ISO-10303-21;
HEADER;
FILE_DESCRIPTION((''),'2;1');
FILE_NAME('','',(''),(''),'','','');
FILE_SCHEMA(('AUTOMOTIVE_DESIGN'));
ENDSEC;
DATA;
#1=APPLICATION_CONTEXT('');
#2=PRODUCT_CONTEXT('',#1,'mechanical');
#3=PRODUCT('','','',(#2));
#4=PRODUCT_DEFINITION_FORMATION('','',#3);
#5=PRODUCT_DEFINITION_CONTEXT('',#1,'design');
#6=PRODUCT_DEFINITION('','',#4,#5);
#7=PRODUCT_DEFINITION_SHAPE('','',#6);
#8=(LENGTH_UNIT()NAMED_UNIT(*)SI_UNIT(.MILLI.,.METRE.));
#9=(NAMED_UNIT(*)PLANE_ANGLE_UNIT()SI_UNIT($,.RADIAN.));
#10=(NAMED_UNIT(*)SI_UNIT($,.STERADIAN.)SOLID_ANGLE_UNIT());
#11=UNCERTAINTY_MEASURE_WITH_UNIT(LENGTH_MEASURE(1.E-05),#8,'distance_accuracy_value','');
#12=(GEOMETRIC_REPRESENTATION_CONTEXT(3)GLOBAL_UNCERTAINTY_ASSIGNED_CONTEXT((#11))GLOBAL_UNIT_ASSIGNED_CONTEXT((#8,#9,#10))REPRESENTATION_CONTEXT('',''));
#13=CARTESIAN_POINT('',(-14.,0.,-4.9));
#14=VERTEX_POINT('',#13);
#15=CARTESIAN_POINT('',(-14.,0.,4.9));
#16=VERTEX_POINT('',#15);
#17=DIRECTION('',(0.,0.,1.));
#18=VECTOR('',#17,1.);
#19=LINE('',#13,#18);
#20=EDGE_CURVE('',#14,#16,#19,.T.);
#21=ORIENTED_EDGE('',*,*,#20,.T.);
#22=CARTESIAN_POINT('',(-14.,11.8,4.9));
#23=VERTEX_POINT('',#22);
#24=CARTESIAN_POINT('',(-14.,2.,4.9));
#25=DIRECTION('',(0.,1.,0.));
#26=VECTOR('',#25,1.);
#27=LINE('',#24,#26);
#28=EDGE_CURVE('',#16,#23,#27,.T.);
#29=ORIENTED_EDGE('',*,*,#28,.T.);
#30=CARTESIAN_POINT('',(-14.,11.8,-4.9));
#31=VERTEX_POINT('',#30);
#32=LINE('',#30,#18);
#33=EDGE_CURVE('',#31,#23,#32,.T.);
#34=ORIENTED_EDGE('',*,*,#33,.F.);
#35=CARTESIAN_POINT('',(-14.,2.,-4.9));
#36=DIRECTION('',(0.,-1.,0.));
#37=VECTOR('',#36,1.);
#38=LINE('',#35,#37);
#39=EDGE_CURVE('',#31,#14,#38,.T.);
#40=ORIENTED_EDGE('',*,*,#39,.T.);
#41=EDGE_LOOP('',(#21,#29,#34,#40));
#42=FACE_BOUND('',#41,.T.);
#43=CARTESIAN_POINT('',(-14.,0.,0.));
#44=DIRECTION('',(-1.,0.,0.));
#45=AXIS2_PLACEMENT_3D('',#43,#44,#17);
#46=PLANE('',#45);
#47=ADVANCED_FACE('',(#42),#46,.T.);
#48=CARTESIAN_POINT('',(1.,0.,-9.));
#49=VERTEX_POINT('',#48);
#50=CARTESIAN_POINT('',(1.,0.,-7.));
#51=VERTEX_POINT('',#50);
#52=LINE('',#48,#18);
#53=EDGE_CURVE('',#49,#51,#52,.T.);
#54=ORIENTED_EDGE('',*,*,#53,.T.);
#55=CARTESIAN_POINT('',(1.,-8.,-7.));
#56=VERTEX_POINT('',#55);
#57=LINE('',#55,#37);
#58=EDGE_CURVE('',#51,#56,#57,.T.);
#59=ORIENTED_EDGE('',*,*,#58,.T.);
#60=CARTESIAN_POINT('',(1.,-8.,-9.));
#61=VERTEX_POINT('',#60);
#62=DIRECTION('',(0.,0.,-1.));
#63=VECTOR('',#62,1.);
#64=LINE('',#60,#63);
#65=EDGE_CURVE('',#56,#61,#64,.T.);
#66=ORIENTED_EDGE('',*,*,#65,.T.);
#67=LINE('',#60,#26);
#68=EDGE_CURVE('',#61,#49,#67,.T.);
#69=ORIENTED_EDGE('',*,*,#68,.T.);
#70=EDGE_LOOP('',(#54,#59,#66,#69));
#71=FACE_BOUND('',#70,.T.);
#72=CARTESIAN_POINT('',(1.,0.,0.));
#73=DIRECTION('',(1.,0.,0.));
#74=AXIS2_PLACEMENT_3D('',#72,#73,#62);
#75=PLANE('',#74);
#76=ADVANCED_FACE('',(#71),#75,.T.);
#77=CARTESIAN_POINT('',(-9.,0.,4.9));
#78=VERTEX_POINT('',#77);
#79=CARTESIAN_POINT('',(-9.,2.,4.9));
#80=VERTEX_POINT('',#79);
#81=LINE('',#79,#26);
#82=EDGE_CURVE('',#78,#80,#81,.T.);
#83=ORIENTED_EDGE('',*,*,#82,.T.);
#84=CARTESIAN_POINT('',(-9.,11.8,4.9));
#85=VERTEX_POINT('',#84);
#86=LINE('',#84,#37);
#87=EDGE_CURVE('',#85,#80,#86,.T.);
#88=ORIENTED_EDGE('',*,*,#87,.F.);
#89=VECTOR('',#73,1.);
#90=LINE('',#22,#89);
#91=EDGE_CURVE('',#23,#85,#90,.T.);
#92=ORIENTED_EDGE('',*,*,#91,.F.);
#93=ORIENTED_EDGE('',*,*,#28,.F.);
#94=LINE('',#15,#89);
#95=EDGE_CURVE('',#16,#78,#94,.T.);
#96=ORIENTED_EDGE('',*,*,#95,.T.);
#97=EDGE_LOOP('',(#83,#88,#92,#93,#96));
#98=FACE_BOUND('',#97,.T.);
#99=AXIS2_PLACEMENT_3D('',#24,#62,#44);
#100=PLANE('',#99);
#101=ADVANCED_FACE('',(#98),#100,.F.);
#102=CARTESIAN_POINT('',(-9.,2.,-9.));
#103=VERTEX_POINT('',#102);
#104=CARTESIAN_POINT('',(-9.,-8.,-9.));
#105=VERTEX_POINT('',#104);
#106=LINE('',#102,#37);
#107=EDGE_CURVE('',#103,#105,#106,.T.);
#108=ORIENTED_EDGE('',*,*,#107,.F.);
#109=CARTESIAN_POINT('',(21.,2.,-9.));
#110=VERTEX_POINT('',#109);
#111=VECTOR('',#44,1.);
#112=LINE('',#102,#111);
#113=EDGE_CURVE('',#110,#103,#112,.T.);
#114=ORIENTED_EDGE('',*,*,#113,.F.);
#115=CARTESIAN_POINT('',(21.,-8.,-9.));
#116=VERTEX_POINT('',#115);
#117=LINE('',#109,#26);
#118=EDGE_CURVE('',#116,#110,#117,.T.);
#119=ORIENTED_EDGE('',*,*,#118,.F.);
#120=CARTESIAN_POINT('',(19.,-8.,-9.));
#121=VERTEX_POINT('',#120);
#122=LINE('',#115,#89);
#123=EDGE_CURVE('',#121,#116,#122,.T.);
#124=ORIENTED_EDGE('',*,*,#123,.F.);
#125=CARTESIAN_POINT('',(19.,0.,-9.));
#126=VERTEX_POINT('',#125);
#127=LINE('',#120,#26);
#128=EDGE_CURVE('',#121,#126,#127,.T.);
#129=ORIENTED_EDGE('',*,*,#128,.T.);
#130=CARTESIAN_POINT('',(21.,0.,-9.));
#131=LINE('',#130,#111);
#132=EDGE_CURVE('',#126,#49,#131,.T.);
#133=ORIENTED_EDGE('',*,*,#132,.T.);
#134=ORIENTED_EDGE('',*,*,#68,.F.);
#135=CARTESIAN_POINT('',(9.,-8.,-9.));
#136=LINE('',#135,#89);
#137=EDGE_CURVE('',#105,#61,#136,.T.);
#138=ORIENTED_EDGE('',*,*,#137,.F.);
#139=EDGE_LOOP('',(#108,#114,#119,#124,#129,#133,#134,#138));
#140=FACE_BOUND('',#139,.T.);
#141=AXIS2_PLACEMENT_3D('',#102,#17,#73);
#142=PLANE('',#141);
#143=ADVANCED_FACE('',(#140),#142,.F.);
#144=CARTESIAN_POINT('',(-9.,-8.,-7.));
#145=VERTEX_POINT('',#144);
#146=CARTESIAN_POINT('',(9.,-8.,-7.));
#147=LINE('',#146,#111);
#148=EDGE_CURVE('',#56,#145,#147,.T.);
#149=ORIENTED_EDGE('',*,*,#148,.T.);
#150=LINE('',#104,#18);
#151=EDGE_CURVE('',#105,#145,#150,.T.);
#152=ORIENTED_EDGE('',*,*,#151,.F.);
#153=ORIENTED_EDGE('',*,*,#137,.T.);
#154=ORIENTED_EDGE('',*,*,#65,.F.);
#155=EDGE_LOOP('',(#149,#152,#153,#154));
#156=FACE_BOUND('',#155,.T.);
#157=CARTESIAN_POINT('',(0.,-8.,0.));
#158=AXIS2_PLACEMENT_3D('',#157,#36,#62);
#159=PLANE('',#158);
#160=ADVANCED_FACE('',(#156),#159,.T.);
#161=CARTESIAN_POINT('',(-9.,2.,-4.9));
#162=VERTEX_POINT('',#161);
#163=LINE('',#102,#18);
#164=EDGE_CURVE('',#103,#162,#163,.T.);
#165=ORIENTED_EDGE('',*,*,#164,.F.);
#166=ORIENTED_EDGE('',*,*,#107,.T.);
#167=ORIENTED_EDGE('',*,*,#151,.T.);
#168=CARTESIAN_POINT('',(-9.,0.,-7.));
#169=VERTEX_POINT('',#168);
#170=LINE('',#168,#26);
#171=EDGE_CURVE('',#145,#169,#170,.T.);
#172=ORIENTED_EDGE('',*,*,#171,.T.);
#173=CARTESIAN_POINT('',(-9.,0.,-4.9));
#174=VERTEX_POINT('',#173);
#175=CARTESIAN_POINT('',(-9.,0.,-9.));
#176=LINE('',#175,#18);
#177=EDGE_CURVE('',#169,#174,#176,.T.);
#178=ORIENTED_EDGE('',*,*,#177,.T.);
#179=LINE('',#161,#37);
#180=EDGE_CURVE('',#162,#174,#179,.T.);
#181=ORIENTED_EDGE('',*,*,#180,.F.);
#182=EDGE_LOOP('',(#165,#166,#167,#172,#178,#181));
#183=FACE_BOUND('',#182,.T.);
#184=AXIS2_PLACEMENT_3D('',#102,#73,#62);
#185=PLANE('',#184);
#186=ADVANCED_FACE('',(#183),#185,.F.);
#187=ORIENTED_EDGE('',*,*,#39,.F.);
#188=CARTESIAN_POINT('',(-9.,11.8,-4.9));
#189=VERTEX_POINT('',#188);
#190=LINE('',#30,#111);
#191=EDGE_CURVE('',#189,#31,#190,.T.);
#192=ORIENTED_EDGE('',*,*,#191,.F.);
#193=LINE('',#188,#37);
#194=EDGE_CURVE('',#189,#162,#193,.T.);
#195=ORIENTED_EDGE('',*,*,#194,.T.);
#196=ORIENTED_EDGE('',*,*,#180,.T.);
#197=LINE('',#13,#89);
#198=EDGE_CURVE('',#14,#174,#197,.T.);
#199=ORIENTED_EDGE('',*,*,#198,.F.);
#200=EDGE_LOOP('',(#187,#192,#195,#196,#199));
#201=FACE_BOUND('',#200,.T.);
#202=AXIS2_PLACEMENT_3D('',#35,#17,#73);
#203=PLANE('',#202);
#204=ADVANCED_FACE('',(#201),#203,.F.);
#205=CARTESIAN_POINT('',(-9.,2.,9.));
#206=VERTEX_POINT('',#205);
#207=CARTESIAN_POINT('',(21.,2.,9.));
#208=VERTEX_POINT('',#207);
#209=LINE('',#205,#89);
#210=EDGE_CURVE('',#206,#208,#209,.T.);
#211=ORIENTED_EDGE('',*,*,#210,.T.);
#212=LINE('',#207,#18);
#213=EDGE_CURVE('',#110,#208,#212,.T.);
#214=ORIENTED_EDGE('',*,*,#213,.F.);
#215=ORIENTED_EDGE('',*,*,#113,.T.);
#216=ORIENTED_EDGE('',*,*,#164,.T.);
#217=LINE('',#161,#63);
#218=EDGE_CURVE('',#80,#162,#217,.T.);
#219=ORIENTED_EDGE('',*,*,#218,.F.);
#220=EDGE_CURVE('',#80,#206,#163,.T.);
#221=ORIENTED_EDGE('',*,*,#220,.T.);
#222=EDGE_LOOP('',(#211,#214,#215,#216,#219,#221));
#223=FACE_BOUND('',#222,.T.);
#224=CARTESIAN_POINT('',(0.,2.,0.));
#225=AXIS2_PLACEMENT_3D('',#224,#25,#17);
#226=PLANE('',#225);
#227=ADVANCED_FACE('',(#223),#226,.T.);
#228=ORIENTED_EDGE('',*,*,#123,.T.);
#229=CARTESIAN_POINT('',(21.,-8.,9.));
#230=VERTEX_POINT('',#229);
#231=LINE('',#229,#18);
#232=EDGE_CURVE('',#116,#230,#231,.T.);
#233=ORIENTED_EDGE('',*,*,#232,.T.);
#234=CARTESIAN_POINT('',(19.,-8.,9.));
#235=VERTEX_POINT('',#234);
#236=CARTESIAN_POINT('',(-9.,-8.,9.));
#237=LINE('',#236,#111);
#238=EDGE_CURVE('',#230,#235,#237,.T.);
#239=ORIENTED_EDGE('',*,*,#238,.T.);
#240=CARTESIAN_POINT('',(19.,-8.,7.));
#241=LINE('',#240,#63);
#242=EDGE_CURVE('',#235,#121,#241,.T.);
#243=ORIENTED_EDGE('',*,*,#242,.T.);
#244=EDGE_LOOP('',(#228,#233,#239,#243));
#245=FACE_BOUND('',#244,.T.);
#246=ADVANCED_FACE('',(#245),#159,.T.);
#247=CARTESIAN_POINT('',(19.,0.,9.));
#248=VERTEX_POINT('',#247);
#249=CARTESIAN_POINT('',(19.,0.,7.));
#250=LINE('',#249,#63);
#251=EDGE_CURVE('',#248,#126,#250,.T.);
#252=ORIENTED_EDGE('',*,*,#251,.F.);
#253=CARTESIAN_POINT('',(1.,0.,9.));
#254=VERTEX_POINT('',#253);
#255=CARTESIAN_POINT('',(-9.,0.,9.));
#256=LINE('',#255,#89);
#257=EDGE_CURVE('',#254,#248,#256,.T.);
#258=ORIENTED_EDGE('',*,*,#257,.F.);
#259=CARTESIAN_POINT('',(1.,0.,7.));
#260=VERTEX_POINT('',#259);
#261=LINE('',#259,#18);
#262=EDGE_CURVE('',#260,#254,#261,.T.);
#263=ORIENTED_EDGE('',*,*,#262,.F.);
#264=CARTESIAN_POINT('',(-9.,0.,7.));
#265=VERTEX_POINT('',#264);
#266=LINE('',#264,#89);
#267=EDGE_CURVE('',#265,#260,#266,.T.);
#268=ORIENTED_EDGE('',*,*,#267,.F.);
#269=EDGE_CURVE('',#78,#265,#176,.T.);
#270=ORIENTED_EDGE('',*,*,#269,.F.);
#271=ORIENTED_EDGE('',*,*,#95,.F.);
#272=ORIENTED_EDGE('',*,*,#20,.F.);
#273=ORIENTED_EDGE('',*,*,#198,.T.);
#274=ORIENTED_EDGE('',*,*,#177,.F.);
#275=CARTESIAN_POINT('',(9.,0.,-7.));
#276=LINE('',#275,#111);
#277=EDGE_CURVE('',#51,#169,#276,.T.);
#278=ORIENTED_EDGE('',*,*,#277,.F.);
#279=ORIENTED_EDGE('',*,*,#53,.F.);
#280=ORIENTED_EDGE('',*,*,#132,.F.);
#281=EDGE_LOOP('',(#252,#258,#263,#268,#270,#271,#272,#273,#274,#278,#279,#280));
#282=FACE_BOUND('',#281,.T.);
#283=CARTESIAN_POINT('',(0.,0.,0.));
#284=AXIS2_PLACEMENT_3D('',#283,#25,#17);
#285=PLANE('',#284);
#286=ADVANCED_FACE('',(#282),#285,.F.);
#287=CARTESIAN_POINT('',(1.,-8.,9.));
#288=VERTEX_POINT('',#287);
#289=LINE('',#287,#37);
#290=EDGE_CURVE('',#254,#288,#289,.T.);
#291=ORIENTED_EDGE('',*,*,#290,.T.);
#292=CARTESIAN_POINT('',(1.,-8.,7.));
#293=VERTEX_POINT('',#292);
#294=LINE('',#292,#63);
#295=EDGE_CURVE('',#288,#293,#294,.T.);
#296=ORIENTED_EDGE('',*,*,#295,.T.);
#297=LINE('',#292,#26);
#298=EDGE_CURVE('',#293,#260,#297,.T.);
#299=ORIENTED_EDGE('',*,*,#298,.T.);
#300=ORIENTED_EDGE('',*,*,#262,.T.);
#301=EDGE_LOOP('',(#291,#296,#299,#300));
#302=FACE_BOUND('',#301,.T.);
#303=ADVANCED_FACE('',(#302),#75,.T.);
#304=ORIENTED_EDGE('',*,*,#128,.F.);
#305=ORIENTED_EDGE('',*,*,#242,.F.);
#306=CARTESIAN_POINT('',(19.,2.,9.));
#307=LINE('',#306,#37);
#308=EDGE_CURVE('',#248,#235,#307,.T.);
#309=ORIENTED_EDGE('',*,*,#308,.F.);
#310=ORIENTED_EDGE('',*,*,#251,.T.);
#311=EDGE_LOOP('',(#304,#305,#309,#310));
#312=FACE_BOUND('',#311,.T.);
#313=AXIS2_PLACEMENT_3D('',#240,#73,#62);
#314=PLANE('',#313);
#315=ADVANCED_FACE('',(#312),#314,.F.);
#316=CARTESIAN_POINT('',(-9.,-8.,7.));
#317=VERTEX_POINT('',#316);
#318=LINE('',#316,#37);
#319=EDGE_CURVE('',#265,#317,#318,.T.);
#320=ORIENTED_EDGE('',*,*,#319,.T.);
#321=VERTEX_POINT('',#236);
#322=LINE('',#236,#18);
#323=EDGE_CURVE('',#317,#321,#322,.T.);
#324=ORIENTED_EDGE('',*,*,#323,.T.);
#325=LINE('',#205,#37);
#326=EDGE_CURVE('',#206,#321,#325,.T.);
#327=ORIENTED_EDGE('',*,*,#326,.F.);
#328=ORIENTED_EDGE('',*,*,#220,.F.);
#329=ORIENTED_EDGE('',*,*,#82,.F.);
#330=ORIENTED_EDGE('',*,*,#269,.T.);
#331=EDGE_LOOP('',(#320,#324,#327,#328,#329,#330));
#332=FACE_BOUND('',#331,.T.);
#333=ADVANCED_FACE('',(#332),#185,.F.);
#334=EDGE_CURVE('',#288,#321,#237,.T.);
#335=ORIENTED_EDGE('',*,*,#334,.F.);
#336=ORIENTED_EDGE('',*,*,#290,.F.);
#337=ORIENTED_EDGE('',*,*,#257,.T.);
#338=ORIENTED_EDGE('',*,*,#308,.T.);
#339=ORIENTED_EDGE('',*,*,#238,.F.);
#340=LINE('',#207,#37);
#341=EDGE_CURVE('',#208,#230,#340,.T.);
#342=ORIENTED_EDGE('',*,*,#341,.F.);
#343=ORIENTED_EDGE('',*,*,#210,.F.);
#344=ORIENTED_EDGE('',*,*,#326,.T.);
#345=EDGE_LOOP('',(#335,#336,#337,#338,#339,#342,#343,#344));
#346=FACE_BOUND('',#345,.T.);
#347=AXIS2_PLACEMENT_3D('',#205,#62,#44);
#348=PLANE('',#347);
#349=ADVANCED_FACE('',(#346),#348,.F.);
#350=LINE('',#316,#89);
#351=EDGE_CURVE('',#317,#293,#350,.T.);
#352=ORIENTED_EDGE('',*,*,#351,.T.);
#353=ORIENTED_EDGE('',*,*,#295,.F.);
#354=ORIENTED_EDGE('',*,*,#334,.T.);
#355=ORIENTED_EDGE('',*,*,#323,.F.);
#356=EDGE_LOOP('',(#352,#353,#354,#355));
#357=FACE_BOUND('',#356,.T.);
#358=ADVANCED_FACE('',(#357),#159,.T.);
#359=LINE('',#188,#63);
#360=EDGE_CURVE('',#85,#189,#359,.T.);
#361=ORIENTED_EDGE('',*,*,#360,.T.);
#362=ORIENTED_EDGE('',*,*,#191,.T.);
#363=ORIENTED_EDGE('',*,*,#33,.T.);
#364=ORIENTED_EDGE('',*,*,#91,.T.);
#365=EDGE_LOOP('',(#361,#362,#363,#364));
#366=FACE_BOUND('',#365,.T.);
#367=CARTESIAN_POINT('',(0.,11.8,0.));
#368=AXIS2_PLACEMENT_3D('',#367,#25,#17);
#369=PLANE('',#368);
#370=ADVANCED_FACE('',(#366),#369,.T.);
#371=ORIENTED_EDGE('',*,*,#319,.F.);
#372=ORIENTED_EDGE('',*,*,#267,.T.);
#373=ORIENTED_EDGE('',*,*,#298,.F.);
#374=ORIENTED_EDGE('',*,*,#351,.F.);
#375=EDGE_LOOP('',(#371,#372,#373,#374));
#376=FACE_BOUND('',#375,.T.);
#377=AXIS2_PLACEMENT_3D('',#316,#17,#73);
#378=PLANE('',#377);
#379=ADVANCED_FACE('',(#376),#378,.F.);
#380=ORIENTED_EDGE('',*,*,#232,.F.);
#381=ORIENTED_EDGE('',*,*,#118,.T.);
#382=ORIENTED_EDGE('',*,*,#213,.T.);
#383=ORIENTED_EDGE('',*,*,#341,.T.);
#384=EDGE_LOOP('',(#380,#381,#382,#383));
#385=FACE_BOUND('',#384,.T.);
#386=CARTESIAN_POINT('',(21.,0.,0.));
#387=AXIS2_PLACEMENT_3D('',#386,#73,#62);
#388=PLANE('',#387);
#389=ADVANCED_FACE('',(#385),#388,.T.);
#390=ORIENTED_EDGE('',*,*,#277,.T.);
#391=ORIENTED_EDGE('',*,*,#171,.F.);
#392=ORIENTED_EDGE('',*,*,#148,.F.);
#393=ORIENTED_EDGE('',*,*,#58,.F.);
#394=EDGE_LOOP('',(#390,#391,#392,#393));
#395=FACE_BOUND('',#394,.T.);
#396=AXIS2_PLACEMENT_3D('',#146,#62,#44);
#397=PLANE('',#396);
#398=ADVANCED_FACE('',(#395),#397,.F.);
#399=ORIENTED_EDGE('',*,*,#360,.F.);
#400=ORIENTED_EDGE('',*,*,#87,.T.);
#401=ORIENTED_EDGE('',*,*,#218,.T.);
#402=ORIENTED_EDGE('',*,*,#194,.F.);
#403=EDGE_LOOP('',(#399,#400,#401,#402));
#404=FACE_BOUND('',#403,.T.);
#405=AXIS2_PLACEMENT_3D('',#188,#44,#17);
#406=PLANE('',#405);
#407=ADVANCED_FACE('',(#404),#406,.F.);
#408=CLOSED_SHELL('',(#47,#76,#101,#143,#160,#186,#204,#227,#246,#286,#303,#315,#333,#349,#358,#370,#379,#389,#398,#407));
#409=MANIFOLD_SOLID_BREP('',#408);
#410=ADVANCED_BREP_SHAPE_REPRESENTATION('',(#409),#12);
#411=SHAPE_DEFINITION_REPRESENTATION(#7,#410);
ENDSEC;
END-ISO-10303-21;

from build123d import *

# Parameters (mm, degrees)
SKETCH2_W            = 18
SKETCH2_H            = 18
BOSS_EXTRUDE1_DEPTH  = 2
SKETCH3_W            = 18
SKETCH3_H            = 2
BOSS_EXTRUDE2_DEPTH  = 8
SKETCH4_W            = 18
SKETCH4_H            = 2
BOSS_EXTRUDE3_DEPTH  = 12
BOSS_EXTRUDE4_DEPTH  = 8
SKETCH6_W            = 9.8
SKETCH6_H            = 2
BOSS_EXTRUDE5_DEPTH  = 5
SKETCH6_2_W          = 9.8
SKETCH6_2_H          = 2
BOSS_EXTRUDE7_DEPTH  = 5
SKETCH9_W            = 5
SKETCH9_H            = 9.8
BOSS_EXTRUDE8_DEPTH  = 9.8
SKETCH10_W           = 10
SKETCH10_H           = 8
CUT_EXTRUDE2_DEPTH   = 11.8
SKETCH11_W           = 2
SKETCH11_H           = 8
CUT_EXTRUDE4_DEPTH   = 8
SKETCH16_W           = 8
SKETCH16_H           = 8
CUT_EXTRUDE5_DEPTH   = 8
SKETCH17_W           = 2
SKETCH17_H           = 8
BOSS_EXTRUDE11_DEPTH = 8
SKETCH18_W           = 2
SKETCH18_H           = 8
CUT_EXTRUDE6_DEPTH   = 8


with BuildPart() as part:
    # Sketch2 → Boss-Extrude1 (new body)
    with BuildSketch(Plane(origin=(0, 0, 0), x_dir=(1, 0, 0), z_dir=(0, 1, 0))):
        Rectangle(SKETCH2_W, SKETCH2_H)
    extrude(amount=BOSS_EXTRUDE1_DEPTH)

    # Sketch3 → Boss-Extrude2 (add)
    with BuildSketch(Plane.XZ):
        with Locations((0, 8)):
            Rectangle(SKETCH3_W, SKETCH3_H)
        with Locations((0, -8)):
            Rectangle(SKETCH3_W, SKETCH3_H)
    extrude(amount=BOSS_EXTRUDE2_DEPTH)

    # Sketch4 → Boss-Extrude3 (add)
    with BuildSketch(Plane(origin=(9, 0, 0), x_dir=(0, 0, -1), z_dir=(1, 0, 0))):
        with Locations((0, 1)):
            Rectangle(SKETCH4_W, SKETCH4_H)
    extrude(amount=BOSS_EXTRUDE3_DEPTH)

    # Sketch5 → Boss-Extrude4 (add)
    with BuildSketch(Plane.XZ):
        Polygon((21, 9), (19, 9), (9, 9), (9, 7), (19, 7), (19, -9), (21, -9), align=None)
    extrude(amount=BOSS_EXTRUDE4_DEPTH)

    # Sketch6 → Boss-Extrude5 (add)
    with BuildSketch(Plane.ZY.offset(9)):
        with Locations((0, 1)):
            Rectangle(SKETCH6_W, SKETCH6_H)
    extrude(amount=BOSS_EXTRUDE5_DEPTH)

    # Sketch6<2> → Boss-Extrude7 (add)
    with BuildSketch(Plane.ZY.offset(9)):
        with Locations((0, 1)):
            Rectangle(SKETCH6_2_W, SKETCH6_2_H)
    extrude(amount=BOSS_EXTRUDE7_DEPTH)

    # Sketch9 → Boss-Extrude8 (add)
    with BuildSketch(Plane(origin=(0, 2, 0), x_dir=(1, 0, 0), z_dir=(0, 1, 0))):
        with Locations((-11.5, 0)):
            Rectangle(SKETCH9_W, SKETCH9_H)
    extrude(amount=BOSS_EXTRUDE8_DEPTH)

    # Sketch10 → Cut-Extrude2 (cut)
    with BuildSketch(Plane(origin=(0, 0, 7), x_dir=(-1, 0, 0), z_dir=(0, 0, -1))):
        with Locations((-14, -4)):
            Rectangle(SKETCH10_W, SKETCH10_H)
    extrude(amount=-CUT_EXTRUDE2_DEPTH, mode=Mode.SUBTRACT)

    # Sketch11 → Cut-Extrude4 (cut)
    with BuildSketch(Plane.ZY.offset(9)):
        with Locations((-8, -4)):
            Rectangle(SKETCH11_W, SKETCH11_H)
    extrude(amount=-CUT_EXTRUDE4_DEPTH, mode=Mode.SUBTRACT)

    # Sketch16 → Cut-Extrude5 (cut)
    with BuildSketch(Plane(origin=(0, 0, 7), x_dir=(-1, 0, 0), z_dir=(0, 0, -1))):
        with Locations((5, -4)):
            Rectangle(SKETCH16_W, SKETCH16_H)
    extrude(amount=-CUT_EXTRUDE5_DEPTH, mode=Mode.SUBTRACT)

    # Sketch17 → Boss-Extrude11 (add)
    with BuildSketch(Plane.ZY.offset(1)):
        with Locations((-8, -4)):
            Rectangle(SKETCH17_W, SKETCH17_H)
        with Locations((8, -4)):
            Rectangle(SKETCH17_W, SKETCH17_H)
    extrude(amount=BOSS_EXTRUDE11_DEPTH)

    # Sketch18 → Cut-Extrude6 (cut)
    with BuildSketch(Plane(origin=(9, 0, 0), x_dir=(0, 0, -1), z_dir=(1, 0, 0))):
        with Locations((8, -4)):
            Rectangle(SKETCH18_W, SKETCH18_H)
        with Locations((-8, -4)):
            Rectangle(SKETCH18_W, SKETCH18_H)
    extrude(amount=-CUT_EXTRUDE6_DEPTH, mode=Mode.SUBTRACT)


solid = part.part
